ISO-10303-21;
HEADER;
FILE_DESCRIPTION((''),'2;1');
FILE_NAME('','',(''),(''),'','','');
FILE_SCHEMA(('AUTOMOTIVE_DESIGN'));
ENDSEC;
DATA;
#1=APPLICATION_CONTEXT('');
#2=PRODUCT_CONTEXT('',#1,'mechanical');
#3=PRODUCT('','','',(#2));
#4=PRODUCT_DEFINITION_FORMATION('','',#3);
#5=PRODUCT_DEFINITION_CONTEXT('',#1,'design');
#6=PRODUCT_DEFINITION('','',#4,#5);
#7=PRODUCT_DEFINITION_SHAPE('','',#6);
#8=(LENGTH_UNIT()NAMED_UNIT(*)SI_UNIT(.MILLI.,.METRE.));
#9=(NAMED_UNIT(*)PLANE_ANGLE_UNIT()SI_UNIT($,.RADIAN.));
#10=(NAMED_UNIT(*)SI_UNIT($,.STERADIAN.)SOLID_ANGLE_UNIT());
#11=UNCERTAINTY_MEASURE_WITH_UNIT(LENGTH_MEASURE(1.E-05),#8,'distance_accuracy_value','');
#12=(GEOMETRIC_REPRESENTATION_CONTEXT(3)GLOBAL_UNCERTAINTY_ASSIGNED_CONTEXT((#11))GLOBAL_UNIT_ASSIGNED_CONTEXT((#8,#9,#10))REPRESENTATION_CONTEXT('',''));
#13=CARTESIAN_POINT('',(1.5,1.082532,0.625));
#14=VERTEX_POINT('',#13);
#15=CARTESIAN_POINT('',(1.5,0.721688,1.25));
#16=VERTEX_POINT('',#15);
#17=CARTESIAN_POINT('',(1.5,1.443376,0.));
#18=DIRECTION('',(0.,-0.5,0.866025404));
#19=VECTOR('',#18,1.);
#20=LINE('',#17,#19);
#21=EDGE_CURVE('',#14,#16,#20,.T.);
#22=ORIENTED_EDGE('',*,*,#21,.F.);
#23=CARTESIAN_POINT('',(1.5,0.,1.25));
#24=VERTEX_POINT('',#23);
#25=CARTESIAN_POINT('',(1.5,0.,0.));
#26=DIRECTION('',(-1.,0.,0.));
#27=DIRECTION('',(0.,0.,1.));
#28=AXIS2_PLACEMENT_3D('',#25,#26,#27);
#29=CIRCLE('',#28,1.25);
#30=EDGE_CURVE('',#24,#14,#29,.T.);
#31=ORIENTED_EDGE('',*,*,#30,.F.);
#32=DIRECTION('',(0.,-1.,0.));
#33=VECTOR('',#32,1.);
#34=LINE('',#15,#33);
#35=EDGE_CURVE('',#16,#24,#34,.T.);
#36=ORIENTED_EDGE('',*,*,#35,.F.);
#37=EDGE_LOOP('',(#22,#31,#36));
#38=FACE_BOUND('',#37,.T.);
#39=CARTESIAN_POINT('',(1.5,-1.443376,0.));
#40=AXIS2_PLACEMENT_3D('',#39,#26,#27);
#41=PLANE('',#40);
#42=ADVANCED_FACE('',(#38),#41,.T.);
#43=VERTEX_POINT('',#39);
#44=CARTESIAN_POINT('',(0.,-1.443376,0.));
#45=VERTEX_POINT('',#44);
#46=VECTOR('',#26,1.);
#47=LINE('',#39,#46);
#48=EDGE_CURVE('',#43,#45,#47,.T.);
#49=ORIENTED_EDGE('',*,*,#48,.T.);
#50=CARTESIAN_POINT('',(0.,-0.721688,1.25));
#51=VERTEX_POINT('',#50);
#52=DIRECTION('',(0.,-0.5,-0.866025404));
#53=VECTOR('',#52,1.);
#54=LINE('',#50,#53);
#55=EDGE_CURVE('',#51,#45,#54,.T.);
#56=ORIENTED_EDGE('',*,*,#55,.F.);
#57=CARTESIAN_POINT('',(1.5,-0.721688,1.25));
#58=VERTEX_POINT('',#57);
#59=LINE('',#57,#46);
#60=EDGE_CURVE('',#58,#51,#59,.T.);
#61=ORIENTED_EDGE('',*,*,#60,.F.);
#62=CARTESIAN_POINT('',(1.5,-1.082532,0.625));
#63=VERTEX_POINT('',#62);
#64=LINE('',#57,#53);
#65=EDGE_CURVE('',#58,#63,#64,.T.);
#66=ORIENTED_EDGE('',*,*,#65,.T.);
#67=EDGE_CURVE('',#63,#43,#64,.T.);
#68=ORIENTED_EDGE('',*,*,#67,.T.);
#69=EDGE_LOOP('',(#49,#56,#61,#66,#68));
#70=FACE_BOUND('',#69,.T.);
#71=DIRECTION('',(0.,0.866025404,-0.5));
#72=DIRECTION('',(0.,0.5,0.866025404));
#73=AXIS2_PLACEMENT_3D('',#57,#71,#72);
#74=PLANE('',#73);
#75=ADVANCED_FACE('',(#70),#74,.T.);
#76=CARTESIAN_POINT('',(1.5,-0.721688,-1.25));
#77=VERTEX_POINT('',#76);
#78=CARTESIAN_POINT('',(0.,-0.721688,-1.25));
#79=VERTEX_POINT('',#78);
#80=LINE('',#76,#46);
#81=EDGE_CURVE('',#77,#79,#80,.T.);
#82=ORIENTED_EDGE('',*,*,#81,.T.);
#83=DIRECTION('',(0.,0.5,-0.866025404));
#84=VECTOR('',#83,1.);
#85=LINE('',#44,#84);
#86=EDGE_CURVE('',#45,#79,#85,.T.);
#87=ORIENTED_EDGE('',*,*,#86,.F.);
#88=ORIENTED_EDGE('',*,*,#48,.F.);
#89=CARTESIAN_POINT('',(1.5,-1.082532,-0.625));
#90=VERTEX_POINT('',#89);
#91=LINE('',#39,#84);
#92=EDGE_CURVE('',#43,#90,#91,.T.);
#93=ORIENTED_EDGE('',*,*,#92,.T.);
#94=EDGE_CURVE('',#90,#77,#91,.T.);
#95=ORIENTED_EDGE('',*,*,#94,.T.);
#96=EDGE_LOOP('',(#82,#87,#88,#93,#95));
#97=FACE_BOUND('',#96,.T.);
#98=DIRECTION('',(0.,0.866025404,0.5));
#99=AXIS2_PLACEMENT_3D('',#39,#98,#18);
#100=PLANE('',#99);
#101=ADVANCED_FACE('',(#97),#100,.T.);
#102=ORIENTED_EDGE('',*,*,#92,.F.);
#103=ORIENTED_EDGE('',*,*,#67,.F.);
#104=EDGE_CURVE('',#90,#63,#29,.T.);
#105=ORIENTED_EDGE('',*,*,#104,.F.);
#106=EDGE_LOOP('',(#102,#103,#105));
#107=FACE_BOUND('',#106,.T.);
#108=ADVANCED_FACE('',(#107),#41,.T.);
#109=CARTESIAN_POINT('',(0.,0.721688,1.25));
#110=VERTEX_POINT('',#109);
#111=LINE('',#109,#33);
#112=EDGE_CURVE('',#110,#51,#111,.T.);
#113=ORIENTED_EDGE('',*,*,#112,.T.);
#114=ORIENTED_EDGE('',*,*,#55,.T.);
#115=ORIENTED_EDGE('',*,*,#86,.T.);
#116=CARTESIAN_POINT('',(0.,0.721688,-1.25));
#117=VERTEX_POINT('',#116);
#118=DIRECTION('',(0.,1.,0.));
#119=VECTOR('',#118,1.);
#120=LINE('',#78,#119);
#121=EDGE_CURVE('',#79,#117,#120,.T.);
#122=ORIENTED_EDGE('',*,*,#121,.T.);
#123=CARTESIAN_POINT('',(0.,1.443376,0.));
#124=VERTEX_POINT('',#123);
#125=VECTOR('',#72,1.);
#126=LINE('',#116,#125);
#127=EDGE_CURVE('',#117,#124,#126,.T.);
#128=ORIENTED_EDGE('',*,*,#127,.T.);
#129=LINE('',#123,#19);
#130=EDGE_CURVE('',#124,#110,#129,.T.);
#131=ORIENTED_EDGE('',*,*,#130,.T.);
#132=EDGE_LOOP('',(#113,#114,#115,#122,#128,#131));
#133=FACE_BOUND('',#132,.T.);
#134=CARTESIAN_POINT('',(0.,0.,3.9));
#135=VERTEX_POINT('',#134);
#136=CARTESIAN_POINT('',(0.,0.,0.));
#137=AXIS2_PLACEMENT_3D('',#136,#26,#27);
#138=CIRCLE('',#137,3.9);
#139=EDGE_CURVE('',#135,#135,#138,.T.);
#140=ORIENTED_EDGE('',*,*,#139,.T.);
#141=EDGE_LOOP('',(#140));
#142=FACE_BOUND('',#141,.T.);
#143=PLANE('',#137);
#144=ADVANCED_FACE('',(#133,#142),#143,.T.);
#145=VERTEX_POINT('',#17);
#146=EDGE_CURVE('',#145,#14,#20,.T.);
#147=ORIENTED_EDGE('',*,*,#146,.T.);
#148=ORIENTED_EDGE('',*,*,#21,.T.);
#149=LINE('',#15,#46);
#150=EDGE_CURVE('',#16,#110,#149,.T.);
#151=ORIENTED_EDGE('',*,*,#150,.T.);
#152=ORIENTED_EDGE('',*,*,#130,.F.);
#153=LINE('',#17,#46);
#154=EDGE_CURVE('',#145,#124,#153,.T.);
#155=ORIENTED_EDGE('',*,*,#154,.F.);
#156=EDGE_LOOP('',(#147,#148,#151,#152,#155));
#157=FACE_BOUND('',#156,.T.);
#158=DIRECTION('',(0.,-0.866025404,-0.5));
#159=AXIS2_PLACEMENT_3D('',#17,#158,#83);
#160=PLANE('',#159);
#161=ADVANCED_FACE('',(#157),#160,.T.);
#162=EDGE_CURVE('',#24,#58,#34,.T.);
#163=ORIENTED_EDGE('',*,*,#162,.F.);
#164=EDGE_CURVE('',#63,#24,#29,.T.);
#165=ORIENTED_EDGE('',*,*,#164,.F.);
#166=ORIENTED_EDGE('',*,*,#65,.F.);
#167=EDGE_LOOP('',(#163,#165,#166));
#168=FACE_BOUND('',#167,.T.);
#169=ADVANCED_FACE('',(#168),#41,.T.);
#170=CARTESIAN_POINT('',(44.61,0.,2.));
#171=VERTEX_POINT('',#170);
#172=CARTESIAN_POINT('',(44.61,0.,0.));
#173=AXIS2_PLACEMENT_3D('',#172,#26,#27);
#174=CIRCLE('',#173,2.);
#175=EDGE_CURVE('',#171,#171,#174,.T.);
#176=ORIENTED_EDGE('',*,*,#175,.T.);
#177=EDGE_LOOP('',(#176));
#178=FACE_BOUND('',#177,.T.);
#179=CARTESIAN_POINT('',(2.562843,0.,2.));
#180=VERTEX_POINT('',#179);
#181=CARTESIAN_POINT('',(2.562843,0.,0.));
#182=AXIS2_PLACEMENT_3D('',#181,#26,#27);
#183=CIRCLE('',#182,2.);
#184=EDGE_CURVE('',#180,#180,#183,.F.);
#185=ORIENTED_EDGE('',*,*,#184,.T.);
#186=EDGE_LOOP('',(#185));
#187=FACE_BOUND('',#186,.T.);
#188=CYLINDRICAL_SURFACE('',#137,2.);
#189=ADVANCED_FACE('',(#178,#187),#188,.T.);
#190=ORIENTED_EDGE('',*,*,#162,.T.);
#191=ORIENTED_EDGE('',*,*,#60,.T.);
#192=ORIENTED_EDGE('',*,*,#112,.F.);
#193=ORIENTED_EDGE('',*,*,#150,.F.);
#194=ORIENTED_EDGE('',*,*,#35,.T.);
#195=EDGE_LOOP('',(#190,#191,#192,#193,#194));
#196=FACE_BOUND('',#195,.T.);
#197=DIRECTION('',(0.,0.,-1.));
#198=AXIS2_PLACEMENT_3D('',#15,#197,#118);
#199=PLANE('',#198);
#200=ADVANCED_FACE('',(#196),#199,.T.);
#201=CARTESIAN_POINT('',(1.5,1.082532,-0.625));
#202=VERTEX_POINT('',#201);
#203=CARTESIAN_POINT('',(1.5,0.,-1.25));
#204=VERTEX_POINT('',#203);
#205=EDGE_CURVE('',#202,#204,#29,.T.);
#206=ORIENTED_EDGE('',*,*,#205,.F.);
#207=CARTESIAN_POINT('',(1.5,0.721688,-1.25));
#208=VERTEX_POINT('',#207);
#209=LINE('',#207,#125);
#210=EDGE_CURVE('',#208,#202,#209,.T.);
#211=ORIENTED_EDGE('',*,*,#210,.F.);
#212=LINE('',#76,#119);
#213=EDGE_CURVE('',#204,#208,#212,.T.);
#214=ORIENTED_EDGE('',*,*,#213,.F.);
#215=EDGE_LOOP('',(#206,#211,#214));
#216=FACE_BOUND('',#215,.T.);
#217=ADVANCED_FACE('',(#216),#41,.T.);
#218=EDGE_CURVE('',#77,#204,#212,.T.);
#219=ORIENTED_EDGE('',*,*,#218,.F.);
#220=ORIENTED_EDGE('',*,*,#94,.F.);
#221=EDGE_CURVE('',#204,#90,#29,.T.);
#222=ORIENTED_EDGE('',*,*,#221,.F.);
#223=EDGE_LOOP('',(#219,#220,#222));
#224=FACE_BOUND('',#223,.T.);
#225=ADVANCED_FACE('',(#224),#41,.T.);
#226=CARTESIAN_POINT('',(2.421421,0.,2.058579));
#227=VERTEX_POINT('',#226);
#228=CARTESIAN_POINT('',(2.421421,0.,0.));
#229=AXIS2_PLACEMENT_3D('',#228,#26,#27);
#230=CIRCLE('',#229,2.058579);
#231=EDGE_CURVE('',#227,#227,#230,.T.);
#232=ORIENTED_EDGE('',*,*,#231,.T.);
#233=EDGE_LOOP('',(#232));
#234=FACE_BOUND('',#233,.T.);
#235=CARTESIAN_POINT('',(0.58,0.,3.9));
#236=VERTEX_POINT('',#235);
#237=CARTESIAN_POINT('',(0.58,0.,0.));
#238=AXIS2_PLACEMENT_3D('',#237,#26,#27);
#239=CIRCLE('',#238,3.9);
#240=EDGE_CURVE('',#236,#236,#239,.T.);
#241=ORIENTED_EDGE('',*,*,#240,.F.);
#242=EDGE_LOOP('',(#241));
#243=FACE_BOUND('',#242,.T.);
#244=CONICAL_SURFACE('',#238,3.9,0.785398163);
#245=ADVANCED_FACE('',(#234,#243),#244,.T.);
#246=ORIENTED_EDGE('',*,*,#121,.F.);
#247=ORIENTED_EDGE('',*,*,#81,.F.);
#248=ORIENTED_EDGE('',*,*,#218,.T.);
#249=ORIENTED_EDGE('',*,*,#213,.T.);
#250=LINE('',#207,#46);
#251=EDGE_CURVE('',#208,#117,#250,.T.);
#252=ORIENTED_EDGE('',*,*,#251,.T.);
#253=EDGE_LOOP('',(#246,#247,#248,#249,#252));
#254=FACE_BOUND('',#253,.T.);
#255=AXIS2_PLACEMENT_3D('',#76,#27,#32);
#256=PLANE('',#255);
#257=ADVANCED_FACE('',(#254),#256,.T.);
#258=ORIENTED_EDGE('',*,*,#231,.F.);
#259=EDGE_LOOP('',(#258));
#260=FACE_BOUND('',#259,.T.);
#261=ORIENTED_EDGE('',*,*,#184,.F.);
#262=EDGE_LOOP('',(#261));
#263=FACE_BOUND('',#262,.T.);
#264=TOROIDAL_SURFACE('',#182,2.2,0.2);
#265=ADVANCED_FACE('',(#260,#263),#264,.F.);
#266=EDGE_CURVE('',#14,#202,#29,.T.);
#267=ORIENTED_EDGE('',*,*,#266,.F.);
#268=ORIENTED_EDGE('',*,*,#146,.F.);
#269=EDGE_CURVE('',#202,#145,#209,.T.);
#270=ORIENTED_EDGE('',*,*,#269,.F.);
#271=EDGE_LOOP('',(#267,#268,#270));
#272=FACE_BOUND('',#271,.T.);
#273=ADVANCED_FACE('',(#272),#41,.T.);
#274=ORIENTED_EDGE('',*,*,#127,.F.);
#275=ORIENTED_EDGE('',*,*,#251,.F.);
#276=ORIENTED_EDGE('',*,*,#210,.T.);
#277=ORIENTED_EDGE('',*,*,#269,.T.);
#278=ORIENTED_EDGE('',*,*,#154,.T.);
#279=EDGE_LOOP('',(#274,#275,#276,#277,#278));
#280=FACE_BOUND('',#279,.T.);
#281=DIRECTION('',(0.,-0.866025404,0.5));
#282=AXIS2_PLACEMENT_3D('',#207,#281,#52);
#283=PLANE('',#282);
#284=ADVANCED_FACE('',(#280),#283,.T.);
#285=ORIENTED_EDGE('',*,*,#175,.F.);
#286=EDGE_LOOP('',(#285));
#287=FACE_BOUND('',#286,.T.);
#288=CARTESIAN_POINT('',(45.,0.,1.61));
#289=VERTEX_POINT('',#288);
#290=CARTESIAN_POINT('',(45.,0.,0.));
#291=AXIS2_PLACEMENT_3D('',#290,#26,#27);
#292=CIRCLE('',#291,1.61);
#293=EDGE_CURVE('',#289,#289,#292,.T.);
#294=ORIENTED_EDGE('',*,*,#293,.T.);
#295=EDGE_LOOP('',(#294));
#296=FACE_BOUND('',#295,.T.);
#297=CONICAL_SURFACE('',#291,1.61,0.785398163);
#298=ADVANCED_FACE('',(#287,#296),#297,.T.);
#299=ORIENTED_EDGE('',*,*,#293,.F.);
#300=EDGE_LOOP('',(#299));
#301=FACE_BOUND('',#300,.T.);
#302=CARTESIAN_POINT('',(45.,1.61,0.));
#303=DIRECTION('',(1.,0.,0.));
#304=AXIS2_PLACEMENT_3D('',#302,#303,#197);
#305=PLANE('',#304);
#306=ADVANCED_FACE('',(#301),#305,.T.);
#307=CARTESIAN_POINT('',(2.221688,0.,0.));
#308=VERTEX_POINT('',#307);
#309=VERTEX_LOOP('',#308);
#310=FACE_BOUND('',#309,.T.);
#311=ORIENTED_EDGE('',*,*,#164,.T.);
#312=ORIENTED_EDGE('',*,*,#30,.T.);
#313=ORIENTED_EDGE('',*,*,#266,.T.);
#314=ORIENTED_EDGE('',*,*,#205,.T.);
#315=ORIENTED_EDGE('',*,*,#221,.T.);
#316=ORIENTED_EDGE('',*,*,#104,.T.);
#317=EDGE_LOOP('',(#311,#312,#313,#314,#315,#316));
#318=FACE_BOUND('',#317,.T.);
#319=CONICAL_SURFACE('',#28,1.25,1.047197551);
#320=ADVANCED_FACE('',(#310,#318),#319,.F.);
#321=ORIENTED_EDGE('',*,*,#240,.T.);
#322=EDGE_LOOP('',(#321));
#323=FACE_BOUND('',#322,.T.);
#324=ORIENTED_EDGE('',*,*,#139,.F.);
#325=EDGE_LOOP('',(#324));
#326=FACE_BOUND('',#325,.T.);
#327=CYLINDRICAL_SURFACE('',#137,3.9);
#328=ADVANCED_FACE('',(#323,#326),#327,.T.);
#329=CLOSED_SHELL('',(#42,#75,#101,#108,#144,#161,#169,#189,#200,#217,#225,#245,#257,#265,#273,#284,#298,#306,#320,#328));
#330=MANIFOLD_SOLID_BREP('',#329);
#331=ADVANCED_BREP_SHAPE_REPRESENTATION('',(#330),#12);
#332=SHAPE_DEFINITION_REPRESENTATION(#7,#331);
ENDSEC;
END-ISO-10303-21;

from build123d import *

# Parameters (mm, degrees)
FILLET1_R   = 0.2
HEX_2_DEPTH = 1.5


with BuildPart() as part:
    # BodySke → BaseBody (revolve)
    with BuildSketch(Plane.XY):
        Polygon((0, 0), (0, 3.9), (0.58, 3.9), (2.48, 2), (44.61, 2), (45, 1.61), (45, 0), align=None)
    revolve(axis=Axis((0, 0, 0), (1, 0, 0)))

    # Fillet1
    fillet1_edges = [part.edges().sort_by_distance(p)[0] for p in [
        (2.48, -2, 0),
    ]]
    fillet(fillet1_edges, radius=FILLET1_R)

    # Sketch2 → PreBroach (revolve, cut)
    with BuildSketch(Plane.XY):
        Polygon((0, 1.25), (1.5, 1.25), (2.221687836, 0), (0, 0), align=None)
    revolve(axis=Axis((0, 0, 0), (1, 0, 0)), mode=Mode.SUBTRACT)

    # Sketch3 → Hex 2 (cut)
    with BuildSketch(Plane.ZY):
        Polygon((-1.25, -0.721687836), (-1.25, 0.721687836), (0, 1.443375673), (1.25, 0.721687836), (1.25, -0.721687836), (0, -1.443375673), align=None)
    extrude(amount=-HEX_2_DEPTH, mode=Mode.SUBTRACT)


solid = part.part
